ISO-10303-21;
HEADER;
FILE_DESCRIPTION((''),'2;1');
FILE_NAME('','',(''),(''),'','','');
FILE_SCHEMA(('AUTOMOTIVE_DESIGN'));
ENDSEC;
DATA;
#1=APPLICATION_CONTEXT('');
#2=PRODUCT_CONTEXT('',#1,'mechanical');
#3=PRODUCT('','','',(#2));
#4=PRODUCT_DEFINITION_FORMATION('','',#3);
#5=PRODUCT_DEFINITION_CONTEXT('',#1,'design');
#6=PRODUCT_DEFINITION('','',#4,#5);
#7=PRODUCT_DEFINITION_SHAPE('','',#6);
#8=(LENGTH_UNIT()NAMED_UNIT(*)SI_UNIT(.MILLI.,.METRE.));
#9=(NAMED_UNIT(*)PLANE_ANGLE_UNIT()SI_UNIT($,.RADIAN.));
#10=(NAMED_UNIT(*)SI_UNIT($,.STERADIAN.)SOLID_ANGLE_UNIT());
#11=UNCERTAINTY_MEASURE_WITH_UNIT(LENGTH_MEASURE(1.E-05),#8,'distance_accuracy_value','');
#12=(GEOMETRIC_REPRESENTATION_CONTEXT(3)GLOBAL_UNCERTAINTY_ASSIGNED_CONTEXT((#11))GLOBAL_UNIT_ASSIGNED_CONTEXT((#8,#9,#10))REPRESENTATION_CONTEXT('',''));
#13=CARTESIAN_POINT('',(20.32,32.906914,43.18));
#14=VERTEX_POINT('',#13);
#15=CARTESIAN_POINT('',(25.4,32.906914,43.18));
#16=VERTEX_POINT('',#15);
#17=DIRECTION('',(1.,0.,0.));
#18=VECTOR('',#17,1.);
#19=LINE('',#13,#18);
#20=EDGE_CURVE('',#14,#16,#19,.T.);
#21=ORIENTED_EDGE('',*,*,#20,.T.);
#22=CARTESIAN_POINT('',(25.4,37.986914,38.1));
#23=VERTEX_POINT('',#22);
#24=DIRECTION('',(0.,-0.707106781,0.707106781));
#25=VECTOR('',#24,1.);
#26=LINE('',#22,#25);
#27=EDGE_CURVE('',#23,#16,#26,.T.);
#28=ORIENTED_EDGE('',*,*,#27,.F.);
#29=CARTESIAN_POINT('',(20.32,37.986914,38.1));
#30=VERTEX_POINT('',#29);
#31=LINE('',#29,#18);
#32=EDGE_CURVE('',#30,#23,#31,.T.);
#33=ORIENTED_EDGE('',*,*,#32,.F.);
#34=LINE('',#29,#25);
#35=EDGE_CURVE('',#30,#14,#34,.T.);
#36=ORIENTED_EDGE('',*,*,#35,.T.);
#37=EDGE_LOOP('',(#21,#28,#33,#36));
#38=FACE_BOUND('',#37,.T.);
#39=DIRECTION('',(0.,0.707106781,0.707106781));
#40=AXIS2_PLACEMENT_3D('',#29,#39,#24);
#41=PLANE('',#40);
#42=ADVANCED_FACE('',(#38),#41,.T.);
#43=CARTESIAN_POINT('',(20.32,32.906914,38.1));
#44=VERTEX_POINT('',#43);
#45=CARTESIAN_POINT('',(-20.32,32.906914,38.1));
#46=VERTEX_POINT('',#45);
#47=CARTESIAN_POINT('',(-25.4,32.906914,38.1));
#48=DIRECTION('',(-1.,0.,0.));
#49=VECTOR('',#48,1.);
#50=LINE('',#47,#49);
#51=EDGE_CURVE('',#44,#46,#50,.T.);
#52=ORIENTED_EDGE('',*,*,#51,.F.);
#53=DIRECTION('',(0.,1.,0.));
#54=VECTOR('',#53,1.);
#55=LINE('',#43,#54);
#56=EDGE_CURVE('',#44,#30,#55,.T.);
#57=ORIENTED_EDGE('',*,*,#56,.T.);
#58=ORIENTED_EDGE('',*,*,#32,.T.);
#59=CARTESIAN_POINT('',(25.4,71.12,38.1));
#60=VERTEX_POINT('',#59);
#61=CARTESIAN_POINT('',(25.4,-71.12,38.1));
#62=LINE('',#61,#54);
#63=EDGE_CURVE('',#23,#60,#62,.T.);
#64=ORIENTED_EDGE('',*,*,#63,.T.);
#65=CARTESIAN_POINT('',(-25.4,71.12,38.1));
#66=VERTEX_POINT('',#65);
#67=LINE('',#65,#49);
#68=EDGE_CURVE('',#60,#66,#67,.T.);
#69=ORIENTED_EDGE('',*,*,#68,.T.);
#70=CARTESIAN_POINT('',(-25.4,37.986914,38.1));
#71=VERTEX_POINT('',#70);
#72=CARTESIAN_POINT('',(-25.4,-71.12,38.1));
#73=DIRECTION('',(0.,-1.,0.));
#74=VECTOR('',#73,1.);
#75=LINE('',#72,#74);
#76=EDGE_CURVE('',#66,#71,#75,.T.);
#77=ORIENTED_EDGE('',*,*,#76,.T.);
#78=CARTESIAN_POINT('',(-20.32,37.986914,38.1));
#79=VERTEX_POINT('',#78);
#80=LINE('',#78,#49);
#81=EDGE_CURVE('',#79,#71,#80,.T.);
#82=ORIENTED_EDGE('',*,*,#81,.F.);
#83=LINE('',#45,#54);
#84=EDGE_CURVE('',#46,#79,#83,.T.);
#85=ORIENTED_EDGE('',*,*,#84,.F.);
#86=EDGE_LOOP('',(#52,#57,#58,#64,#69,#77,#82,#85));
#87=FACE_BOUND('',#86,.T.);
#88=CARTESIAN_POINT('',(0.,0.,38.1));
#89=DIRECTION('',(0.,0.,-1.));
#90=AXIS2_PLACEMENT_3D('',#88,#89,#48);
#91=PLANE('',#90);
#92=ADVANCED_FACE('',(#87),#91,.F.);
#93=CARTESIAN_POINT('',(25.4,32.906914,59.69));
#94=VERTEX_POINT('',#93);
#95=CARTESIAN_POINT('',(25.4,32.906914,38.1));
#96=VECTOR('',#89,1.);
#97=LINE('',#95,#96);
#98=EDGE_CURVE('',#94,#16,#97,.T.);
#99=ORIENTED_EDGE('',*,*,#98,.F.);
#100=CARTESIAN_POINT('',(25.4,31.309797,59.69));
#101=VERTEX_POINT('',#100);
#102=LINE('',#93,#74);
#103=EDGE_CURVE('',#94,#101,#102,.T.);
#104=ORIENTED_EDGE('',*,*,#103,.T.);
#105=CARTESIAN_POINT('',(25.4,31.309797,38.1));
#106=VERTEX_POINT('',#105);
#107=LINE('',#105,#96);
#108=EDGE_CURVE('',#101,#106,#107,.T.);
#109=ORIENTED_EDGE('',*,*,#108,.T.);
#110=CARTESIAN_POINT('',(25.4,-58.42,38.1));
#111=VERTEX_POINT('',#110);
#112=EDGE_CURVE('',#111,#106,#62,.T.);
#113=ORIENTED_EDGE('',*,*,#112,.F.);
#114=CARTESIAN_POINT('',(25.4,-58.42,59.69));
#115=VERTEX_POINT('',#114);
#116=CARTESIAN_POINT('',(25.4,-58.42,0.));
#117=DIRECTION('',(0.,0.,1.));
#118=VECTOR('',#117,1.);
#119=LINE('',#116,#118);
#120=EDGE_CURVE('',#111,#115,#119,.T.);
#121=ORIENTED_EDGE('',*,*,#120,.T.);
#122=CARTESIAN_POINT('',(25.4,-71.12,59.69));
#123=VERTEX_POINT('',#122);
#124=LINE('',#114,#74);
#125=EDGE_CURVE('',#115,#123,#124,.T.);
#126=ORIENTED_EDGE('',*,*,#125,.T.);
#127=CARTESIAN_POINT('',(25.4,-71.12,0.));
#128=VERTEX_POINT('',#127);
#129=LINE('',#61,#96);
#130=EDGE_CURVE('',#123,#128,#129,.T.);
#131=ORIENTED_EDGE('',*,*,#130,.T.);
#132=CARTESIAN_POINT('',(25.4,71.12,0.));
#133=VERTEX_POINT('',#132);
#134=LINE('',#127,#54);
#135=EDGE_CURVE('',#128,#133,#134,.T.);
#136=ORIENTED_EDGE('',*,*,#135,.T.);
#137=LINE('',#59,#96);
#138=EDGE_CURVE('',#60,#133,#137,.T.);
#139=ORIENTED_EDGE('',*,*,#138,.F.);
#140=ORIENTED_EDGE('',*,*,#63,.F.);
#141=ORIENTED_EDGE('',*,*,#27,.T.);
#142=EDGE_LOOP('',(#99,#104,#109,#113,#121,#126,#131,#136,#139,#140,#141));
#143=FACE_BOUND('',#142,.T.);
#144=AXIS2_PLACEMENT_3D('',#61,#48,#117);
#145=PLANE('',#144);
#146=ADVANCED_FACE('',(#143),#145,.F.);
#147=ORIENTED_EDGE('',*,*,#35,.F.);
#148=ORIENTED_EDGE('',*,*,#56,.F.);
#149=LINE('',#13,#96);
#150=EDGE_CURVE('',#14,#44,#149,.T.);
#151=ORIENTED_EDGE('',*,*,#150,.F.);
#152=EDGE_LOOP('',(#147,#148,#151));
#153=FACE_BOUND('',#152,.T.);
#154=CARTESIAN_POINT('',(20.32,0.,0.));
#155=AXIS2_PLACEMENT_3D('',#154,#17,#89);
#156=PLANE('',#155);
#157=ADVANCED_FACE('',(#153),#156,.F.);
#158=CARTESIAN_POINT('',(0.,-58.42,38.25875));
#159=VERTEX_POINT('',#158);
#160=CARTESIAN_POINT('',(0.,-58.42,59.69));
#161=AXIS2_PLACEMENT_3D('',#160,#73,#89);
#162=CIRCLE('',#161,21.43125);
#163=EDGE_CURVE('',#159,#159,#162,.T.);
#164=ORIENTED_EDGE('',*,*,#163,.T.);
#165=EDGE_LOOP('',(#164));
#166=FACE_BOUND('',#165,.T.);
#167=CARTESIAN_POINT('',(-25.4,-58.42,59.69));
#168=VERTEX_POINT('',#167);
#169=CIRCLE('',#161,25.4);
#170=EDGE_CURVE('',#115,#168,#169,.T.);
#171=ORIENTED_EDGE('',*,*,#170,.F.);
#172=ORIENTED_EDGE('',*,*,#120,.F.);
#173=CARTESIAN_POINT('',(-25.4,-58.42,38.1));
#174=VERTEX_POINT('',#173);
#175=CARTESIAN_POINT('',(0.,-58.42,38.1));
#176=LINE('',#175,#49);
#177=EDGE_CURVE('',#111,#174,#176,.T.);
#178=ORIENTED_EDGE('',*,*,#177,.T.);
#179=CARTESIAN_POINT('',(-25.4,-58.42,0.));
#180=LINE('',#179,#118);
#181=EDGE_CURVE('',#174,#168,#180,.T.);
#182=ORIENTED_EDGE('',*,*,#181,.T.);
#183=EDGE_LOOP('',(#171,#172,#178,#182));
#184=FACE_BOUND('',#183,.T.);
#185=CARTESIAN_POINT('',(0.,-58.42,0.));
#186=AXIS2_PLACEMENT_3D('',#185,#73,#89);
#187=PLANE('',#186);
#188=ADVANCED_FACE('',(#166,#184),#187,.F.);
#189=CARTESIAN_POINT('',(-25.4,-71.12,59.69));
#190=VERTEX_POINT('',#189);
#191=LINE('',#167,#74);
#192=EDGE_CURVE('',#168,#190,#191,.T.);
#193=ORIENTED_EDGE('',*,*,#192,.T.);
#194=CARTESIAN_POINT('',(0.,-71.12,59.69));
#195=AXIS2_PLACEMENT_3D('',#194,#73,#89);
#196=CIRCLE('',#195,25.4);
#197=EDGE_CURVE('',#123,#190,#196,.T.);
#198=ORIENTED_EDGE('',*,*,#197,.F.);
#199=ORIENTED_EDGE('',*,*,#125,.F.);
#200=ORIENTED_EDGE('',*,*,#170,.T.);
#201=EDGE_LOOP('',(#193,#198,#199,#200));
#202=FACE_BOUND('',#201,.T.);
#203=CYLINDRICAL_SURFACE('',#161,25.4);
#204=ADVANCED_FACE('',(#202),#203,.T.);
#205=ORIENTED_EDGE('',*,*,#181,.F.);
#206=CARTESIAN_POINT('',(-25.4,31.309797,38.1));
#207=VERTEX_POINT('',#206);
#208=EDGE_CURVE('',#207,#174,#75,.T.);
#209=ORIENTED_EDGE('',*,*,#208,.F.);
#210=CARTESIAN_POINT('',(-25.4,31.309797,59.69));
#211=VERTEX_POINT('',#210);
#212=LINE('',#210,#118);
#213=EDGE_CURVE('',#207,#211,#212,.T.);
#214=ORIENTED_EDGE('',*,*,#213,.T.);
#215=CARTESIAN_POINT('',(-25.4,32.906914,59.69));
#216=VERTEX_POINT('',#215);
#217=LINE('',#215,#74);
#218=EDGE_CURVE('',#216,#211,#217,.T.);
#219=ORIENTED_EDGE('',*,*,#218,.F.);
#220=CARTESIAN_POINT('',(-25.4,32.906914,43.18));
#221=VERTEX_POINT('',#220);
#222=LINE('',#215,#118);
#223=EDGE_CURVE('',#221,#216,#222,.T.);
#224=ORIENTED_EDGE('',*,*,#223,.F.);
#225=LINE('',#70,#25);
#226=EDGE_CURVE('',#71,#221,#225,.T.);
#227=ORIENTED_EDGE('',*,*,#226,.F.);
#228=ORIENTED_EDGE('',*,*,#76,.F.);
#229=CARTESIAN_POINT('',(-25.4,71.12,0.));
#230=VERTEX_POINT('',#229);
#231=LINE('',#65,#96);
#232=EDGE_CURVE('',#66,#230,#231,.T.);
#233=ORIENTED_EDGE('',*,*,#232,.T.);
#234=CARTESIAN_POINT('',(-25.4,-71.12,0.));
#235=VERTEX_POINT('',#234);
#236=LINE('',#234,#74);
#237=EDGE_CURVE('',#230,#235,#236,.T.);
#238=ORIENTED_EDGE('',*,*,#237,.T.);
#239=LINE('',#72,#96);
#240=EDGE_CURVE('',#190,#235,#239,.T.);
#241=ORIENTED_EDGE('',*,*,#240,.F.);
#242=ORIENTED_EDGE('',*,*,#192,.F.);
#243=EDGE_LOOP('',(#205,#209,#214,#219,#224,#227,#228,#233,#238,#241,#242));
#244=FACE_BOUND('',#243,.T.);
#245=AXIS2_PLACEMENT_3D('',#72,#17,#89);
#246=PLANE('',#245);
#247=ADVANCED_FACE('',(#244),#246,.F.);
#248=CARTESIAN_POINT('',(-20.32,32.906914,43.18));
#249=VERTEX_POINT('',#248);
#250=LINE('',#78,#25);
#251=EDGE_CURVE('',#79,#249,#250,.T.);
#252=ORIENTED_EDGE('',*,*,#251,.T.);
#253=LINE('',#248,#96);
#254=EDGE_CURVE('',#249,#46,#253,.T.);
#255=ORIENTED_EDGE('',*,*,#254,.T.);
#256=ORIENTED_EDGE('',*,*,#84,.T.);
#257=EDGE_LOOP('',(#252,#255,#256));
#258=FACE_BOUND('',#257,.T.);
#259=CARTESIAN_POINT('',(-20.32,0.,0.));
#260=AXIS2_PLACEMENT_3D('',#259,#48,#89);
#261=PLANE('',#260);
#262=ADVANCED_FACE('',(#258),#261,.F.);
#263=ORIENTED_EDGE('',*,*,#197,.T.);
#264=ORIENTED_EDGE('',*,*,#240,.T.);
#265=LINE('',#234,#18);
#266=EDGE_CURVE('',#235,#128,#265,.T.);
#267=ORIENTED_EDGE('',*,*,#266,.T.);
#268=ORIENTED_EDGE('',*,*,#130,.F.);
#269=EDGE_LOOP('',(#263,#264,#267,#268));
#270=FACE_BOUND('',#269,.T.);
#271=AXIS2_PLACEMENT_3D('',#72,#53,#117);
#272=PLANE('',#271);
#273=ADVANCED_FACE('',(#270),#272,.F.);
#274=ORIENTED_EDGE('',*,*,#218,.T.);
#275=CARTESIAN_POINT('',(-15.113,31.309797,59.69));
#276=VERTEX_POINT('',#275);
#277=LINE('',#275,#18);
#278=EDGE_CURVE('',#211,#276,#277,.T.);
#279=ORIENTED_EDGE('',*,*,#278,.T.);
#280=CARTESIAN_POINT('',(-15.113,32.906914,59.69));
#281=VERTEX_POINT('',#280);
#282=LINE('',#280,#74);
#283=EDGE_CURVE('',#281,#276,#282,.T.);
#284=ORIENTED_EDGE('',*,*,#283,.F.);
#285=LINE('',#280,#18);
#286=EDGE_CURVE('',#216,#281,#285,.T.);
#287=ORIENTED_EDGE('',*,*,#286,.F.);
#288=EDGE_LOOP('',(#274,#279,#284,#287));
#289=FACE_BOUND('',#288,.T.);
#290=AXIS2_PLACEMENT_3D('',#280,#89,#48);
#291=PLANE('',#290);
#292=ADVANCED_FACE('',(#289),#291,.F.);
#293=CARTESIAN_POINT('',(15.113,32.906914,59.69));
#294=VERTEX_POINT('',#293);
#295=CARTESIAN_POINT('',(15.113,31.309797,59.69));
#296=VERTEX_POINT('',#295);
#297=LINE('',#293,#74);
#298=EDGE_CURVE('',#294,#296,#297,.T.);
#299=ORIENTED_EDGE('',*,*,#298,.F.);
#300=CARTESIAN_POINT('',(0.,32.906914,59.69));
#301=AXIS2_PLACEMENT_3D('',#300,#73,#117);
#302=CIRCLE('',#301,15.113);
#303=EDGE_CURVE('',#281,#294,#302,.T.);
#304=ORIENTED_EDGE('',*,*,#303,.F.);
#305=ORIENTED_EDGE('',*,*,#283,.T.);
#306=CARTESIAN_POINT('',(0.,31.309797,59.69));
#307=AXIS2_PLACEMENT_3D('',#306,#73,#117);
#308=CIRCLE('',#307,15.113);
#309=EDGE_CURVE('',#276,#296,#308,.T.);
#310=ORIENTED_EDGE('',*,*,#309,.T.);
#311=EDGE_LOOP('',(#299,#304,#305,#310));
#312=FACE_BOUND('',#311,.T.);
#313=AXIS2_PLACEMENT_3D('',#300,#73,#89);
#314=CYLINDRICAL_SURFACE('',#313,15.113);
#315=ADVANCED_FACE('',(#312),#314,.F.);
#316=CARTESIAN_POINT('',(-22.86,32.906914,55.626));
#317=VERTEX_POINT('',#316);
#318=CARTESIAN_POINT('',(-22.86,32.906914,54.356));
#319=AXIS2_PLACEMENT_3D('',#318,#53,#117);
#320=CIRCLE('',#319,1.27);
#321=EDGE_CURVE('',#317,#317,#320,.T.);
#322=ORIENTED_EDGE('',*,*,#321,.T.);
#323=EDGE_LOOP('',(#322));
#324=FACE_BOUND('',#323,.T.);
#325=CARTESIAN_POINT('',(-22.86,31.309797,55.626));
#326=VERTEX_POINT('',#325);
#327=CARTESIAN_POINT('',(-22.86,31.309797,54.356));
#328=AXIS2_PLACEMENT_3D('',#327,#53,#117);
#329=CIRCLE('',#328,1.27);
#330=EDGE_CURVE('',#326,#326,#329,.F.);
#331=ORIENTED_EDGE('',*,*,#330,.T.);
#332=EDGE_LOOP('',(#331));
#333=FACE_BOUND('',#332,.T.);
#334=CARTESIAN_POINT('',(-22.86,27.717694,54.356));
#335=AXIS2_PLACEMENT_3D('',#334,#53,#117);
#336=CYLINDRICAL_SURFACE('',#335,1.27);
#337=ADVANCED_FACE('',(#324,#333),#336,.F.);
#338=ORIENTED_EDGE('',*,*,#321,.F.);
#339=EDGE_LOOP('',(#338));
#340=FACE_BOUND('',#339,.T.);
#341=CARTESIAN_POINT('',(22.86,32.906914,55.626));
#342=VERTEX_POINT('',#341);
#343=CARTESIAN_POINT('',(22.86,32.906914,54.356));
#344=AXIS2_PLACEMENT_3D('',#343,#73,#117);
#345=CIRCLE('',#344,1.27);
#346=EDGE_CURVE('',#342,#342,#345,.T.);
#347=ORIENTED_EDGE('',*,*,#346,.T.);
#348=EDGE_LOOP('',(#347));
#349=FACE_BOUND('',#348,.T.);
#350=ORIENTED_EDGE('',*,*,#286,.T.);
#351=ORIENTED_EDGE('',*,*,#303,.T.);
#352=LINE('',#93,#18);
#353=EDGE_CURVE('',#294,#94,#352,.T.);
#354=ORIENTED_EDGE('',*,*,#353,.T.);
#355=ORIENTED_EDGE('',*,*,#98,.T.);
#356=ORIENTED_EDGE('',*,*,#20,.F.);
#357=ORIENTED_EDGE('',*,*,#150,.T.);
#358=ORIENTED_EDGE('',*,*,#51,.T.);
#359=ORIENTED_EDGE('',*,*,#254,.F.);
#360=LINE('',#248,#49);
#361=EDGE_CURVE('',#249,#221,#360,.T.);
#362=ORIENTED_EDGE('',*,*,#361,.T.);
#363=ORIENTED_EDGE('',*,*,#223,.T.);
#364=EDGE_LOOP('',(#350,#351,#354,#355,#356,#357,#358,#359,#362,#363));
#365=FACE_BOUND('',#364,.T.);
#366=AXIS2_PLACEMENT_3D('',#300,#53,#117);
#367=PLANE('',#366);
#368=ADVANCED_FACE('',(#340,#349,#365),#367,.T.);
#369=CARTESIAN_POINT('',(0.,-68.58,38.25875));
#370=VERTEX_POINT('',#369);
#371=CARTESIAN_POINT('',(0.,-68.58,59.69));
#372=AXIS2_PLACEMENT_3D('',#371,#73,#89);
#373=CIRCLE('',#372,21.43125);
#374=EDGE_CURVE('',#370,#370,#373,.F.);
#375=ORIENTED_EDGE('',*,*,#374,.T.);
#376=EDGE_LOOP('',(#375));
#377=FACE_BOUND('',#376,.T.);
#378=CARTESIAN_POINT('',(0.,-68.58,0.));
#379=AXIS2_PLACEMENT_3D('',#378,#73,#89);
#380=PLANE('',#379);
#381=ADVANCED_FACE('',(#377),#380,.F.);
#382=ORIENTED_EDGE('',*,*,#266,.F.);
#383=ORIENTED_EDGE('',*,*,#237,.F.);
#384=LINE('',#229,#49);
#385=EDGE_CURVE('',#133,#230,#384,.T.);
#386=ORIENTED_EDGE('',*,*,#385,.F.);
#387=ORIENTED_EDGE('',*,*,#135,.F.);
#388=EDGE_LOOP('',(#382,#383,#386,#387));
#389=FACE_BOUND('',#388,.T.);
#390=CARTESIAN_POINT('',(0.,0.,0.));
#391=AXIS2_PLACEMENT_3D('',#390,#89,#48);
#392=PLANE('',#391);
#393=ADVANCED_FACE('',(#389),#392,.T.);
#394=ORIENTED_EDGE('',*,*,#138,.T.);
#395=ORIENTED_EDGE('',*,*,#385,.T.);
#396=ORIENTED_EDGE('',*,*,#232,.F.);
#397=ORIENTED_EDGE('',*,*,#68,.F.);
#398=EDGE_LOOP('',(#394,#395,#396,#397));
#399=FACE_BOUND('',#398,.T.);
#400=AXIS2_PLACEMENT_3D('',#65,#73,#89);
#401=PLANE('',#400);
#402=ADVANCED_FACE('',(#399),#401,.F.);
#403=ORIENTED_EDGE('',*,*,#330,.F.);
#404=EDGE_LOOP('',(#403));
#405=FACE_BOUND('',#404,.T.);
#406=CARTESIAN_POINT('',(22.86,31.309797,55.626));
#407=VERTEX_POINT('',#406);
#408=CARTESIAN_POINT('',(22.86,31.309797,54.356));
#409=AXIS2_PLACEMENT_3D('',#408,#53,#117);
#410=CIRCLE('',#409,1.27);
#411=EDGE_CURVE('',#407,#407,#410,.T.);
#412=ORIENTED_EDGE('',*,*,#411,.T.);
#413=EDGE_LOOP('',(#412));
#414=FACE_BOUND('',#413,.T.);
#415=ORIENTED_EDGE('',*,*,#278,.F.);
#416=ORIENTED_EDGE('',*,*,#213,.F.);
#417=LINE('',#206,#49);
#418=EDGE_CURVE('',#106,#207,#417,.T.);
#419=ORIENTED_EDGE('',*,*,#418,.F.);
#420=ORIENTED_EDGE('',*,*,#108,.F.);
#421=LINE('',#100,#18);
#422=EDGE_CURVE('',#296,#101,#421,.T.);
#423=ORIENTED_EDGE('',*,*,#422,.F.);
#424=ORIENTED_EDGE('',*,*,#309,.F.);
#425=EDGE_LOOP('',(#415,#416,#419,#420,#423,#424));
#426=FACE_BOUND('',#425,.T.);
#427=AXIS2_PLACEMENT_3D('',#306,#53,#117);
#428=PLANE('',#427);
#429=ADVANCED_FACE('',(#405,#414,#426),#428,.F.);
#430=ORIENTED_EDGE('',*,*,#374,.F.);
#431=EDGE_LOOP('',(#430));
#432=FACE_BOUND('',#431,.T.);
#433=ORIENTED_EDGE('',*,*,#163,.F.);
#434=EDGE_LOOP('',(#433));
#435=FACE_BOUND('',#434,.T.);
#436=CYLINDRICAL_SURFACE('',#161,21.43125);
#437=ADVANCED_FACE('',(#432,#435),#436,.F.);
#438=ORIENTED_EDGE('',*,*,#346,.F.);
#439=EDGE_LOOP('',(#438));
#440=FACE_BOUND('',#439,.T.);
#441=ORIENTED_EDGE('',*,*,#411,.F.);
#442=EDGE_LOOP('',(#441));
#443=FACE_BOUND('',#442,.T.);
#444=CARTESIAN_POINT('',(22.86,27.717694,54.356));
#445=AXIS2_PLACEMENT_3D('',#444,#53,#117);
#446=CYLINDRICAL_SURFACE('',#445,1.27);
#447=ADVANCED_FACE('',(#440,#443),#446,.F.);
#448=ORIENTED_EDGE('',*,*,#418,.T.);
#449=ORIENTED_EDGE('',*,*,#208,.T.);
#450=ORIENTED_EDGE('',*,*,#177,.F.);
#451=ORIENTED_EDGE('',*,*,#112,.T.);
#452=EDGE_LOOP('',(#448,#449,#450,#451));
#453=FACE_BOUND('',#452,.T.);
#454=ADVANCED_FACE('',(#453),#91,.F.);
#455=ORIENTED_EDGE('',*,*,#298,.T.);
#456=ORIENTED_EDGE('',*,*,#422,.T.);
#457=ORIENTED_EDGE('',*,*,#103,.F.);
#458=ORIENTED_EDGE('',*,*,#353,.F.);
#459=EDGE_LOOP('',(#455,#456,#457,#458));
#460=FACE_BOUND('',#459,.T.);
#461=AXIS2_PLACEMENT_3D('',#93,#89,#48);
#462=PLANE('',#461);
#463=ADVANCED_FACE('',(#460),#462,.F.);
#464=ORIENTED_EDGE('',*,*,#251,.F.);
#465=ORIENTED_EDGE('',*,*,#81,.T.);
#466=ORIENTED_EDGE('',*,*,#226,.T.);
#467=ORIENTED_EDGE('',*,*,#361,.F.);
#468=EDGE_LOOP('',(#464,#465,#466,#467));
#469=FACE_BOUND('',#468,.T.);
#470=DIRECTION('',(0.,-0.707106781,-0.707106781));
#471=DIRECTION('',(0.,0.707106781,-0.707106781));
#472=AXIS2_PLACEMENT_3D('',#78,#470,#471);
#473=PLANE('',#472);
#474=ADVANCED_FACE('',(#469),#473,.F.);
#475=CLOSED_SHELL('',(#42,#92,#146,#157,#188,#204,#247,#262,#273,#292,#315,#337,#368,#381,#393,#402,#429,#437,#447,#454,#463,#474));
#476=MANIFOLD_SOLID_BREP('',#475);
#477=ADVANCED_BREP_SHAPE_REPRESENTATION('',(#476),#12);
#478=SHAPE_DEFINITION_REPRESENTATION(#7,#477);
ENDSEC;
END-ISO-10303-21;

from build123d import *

# Parameters (mm, degrees)
SKETCH1_W            = 50.8
SKETCH1_H            = 142.24
BOSS_EXTRUDE1_DEPTH  = 38.1
SKETCH8_R            = 21.43125
BOSS_EXTRUDE2_DEPTH  = 2.54
SKETCH8_5_R          = 21.43125
BOSS_EXTRUDE9_DEPTH  = 12.7
BOSS_EXTRUDE13_DEPTH = 0.798558565
SKETCH16_R           = 1.27
CUT_EXTRUDE7_DEPTH   = 1.59711713
BOSS_EXTRUDE14_DEPTH = 5.08


with BuildPart() as part:
    # Sketch1 → Boss-Extrude1 (new body)
    with BuildSketch(Plane.XY):
        Rectangle(SKETCH1_W, SKETCH1_H)
    extrude(amount=BOSS_EXTRUDE1_DEPTH)



with BuildPart() as body_2:
    # Sketch8 → Boss-Extrude2 (new body)
    # profile 1 of 2: a face of its own
    with BuildSketch(Plane.XZ.offset(71.12)):
        with BuildLine():
            Line((-25.4, 38.1), (25.4, 38.1))
            Line((25.4, 38.1), (25.4, 59.69))
            ThreePointArc((25.4, 59.69), (0, 85.09), (-25.4, 59.69))
            Line((-25.4, 59.69), (-25.4, 38.1))
        make_face()
        with Locations((0, 59.69)):
            Circle(SKETCH8_R, mode=Mode.SUBTRACT)
    # profile 2 of 2: a face of its own
    with BuildSketch(Plane.XZ.offset(71.12)):
        with Locations((0, 59.69)):
            Circle(SKETCH8_R)
    extrude(amount=-BOSS_EXTRUDE2_DEPTH)


with BuildPart() as part_1:
    add(part.part)

    add(body_2.part)  # Boss-Extrude9 merges body 2
    # Sketch8<5> → Boss-Extrude9 (add)
    with BuildSketch(Plane.XZ.offset(71.12)):
        with BuildLine():
            Line((25.4, 38.1), (25.4, 59.69))
            ThreePointArc((25.4, 59.69), (0, 85.09), (-25.4, 59.69))
            Line((-25.4, 59.69), (-25.4, 38.1))
            Line((-25.4, 38.1), (25.4, 38.1))
        make_face()
        with Locations(Location((0, 59.69, 0), (0, 0, 270))):
            Circle(SKETCH8_5_R, mode=Mode.SUBTRACT)
    extrude(amount=-BOSS_EXTRUDE9_DEPTH)

    # Sketch15 → Boss-Extrude13 (add, symmetric)
    with BuildSketch(Plane(origin=(0, 32.108355434, 0), x_dir=(1, 0, 0), z_dir=(0, 1, 0))):
        with BuildLine():
            Line((-15.113, -59.69), (-25.4, -59.69))
            Line((-25.4, -59.69), (-25.4, -38.1))
            Line((-25.4, -38.1), (25.4, -38.1))
            Line((25.4, -38.1), (25.4, -59.69))
            Line((25.4, -59.69), (15.113, -59.69))
            ThreePointArc((15.113, -59.69), (0, -44.577), (-15.113, -59.69))
        make_face()
    extrude(amount=BOSS_EXTRUDE13_DEPTH, both=True)

    # Sketch16 → Cut-Extrude7 (cut)
    with BuildSketch(Plane(origin=(0, 32.906913999, 0), x_dir=(1, 0, 0), z_dir=(0, 1, 0))):
        with Locations(Location((-22.86, -54.356, 0), (0, 0, 270))):
            Circle(SKETCH16_R)
    cut_extrude7 = extrude(amount=-CUT_EXTRUDE7_DEPTH, mode=Mode.SUBTRACT)

    # Mirror1: Cut-Extrude7 across plane
    add(cut_extrude7.mirror(Plane(origin=(0, 0, 0), x_dir=(0, 0, 1), z_dir=(1, 0, 0))), mode=Mode.SUBTRACT)

    # Sketch17 → Boss-Extrude14 (add)
    with BuildSketch(Plane(origin=(25.4, 0, 0), x_dir=(0, 0, -1), z_dir=(1, 0, 0))):
        Polygon((-38.1, 32.906913999), (-38.1, 37.986913999), (-43.18, 32.906913999), align=None)
    boss_extrude14 = extrude(amount=-BOSS_EXTRUDE14_DEPTH)

    # Mirror2: Boss-Extrude14 across plane
    add(boss_extrude14.mirror(Plane(origin=(0, 0, 0), x_dir=(0, 0, 1), z_dir=(1, 0, 0))))


solid = part_1.part
